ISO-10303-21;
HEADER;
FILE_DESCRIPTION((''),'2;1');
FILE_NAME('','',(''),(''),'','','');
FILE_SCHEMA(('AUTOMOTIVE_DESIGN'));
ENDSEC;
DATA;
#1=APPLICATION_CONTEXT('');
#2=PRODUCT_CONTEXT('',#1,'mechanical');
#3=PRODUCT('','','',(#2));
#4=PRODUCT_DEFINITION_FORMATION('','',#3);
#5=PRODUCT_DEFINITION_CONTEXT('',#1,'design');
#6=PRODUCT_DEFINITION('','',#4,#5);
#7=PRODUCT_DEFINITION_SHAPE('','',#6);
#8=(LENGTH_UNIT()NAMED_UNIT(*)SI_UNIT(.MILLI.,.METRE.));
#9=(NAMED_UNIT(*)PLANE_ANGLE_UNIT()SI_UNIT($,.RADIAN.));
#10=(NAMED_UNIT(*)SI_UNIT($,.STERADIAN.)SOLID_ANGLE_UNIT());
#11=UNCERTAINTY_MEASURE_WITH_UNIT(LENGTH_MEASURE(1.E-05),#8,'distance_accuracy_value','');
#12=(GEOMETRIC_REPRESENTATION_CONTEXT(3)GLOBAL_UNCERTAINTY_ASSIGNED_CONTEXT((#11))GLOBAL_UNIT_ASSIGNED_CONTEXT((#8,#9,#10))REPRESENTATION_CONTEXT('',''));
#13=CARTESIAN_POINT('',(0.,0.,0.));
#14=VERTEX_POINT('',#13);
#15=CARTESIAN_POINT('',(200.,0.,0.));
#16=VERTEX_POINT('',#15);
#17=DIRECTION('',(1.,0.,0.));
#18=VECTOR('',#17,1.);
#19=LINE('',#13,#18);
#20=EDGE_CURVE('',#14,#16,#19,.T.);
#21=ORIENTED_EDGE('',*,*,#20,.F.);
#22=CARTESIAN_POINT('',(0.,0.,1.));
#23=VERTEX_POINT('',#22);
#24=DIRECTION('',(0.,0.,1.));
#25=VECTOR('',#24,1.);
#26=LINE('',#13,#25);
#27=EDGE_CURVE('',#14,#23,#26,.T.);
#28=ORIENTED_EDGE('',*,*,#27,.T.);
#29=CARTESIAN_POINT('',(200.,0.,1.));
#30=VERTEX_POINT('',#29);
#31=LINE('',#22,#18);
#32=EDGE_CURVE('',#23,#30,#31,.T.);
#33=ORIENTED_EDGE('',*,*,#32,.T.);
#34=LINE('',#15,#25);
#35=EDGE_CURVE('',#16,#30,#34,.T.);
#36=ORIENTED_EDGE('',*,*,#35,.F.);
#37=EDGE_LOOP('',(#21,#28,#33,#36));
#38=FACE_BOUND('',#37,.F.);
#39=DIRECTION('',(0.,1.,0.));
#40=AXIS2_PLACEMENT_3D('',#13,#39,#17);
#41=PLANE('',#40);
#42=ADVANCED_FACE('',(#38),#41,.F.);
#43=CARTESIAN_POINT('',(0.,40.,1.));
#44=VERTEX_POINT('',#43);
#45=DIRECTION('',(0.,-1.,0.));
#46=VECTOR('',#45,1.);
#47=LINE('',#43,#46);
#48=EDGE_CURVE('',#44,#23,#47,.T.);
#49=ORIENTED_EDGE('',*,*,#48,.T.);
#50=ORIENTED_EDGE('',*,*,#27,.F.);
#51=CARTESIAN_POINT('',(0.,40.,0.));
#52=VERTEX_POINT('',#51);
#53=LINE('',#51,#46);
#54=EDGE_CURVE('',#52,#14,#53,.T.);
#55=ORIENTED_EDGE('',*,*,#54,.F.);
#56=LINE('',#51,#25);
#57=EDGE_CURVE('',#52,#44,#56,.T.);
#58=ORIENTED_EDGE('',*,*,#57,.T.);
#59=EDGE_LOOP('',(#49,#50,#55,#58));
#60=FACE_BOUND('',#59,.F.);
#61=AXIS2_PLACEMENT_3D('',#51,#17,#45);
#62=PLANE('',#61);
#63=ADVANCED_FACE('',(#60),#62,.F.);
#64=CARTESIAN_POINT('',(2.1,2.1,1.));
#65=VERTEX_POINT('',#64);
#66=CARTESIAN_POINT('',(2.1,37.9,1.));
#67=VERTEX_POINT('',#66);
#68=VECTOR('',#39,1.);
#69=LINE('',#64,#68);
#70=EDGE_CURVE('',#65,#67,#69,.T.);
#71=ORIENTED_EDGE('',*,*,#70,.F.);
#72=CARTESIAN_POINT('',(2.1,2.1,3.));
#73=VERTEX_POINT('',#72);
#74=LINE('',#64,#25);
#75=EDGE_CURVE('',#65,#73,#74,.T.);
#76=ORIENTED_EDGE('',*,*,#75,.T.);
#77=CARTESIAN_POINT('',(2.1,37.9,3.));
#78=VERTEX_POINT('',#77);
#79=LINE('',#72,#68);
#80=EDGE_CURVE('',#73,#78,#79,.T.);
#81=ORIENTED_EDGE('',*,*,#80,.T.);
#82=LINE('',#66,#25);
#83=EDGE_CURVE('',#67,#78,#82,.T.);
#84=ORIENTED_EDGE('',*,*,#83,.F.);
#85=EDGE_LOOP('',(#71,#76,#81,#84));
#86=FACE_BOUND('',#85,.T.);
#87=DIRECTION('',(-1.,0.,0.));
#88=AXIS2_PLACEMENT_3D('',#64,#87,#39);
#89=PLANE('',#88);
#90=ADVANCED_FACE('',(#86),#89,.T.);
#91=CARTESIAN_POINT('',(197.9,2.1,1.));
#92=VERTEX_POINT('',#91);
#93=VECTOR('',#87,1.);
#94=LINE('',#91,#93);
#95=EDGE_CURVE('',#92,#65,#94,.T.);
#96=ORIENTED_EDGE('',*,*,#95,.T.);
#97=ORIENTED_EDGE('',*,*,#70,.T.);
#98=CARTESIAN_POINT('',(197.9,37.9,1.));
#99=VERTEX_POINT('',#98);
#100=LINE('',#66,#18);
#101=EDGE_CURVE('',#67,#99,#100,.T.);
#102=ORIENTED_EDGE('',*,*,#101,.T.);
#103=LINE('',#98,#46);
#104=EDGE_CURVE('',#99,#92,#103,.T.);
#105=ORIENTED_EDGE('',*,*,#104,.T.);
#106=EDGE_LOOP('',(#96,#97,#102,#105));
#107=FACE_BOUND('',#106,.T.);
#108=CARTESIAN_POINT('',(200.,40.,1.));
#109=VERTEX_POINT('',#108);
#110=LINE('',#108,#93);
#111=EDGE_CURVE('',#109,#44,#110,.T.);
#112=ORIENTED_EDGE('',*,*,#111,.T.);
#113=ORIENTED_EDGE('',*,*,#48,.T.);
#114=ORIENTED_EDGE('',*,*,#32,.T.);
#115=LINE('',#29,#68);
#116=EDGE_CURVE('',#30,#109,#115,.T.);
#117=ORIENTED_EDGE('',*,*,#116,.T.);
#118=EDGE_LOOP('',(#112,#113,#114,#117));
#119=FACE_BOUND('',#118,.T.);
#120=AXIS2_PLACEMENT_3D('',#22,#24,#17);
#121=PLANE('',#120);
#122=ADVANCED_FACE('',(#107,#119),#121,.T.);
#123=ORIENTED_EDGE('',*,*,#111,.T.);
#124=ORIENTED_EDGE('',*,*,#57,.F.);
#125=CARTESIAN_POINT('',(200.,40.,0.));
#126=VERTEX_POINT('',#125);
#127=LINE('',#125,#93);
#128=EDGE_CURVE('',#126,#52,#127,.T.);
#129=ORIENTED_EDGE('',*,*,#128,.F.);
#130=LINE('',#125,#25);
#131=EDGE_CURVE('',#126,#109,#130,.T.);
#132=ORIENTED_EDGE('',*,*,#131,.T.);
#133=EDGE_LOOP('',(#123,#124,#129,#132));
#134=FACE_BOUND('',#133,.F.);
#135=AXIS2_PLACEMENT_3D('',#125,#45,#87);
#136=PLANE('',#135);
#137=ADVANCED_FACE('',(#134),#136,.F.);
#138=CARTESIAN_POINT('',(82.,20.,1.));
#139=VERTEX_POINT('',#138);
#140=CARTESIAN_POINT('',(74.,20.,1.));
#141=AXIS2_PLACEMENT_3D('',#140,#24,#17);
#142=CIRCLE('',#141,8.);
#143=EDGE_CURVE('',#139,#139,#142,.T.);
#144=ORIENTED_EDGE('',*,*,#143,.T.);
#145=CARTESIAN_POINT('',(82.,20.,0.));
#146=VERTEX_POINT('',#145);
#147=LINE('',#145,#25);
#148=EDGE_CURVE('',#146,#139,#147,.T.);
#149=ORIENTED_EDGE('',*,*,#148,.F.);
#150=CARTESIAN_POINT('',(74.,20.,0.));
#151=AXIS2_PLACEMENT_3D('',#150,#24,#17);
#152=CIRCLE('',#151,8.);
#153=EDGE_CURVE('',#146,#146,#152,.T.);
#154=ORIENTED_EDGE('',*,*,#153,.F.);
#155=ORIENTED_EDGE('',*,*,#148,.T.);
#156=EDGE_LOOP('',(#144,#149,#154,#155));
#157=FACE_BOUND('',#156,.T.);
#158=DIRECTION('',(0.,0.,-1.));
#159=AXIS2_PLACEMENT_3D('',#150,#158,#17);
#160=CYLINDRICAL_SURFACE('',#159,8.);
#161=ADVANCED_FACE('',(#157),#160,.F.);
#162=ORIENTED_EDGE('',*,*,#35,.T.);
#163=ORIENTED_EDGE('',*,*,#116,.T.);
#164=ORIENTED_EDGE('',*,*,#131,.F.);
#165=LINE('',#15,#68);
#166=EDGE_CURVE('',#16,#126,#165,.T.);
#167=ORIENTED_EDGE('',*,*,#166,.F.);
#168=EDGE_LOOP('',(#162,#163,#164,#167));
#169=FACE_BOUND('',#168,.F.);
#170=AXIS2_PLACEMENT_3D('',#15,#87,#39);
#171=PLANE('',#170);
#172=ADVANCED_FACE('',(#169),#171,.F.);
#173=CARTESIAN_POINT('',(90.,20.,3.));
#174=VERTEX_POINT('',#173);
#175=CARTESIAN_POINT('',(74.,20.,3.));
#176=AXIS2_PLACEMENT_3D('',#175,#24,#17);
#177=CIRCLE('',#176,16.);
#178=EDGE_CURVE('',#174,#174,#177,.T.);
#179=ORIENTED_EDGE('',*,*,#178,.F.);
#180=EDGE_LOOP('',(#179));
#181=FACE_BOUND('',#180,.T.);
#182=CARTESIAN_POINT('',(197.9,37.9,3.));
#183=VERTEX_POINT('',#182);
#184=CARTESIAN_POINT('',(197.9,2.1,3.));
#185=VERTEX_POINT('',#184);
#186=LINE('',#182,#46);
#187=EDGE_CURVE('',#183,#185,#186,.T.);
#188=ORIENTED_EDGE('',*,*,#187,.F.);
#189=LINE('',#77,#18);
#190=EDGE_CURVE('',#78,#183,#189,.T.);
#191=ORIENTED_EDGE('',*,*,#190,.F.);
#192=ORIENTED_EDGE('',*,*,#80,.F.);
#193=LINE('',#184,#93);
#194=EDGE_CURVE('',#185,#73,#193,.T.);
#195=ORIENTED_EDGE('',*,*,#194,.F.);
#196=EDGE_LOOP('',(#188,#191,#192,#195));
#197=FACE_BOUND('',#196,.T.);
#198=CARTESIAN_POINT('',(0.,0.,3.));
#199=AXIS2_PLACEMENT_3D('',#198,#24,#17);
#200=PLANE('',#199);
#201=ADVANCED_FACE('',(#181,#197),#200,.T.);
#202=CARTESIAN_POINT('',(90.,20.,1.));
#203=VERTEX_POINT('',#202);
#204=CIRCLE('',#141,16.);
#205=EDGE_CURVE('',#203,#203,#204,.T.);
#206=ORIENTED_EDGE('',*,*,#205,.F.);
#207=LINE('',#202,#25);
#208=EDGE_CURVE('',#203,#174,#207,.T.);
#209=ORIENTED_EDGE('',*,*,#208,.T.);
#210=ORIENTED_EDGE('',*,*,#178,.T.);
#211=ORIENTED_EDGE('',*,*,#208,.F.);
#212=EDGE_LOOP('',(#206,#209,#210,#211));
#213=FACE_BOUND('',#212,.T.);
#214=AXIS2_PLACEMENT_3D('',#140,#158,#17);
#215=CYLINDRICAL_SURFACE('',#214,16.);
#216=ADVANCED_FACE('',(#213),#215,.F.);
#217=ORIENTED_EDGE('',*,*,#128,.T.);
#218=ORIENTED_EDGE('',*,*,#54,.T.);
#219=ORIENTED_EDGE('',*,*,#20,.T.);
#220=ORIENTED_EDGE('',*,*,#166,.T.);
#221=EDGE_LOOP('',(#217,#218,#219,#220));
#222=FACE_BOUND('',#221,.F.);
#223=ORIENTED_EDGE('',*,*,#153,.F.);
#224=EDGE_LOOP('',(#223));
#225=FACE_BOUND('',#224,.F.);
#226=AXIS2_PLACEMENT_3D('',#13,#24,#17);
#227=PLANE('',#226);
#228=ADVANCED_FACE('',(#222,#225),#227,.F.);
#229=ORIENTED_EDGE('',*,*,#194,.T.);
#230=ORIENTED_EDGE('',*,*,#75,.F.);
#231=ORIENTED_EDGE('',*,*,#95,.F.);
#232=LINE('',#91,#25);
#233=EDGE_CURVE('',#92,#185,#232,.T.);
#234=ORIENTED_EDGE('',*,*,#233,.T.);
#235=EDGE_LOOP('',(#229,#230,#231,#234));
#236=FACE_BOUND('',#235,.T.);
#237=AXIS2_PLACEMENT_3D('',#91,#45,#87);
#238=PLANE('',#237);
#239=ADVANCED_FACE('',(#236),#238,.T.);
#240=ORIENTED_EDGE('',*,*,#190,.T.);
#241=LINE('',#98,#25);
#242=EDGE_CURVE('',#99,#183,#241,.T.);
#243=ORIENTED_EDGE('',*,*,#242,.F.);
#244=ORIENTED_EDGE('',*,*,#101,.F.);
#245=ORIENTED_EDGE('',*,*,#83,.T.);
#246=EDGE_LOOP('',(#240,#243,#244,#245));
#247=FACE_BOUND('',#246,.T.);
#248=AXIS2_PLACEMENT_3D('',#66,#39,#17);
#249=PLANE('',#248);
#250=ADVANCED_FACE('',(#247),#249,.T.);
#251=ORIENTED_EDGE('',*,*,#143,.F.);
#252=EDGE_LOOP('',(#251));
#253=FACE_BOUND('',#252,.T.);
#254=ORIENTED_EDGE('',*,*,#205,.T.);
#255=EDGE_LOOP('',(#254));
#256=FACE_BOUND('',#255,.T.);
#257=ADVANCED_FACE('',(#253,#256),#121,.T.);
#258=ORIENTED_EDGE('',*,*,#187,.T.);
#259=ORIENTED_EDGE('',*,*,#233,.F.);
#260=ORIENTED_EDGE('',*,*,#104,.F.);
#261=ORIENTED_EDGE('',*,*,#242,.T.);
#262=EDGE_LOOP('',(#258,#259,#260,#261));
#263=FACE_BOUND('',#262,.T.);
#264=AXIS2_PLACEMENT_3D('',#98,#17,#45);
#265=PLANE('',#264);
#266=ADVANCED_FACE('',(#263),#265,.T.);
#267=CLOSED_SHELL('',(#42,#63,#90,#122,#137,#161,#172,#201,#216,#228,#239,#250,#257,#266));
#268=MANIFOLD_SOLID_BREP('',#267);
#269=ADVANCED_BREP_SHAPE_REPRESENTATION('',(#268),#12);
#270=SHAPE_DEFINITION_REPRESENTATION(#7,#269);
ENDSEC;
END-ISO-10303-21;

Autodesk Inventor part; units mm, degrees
ref_plane "YZ Plane" through (0, 0, 0) normal (1, 0, 0) x (0, 1, 0)
ref_plane "XZ Plane" through (0, 0, 0) normal (0, 1, 0) x (-1, 0, 0)
ref_plane "XY Plane" through (0, 0, 0) normal (0, 0, 1) x (1, 0, 0)
sketch "Boceto1" plane through (0, 0, 0) normal (0, 0, 1) x (1, 0, 0)
  line L0 (0, 0) -> (200, 0)
  line L1 (200, 0) -> (200, 40)
  line L2 (200, 40) -> (0, 40)
  line L3 (0, 40) -> (0, 0)
  circle A0 centre (74, 20) radius 8
  dimension "d0" = 200
  dimension "d1" = 40
  dimension "d2" = 16
  dimension "d3" = 74
  dimension "d4" = 20
extrude "Extrusión1" add sketch "Boceto1" along normal blind 1
sketch "Boceto2" plane through (0, 0, 1) normal (0, 0, 1) x (1, 0, 0)
  circle A0 centre (74, 20) radius 8 projected
  line L0 (0, 0) -> (0, 40) projected
  line L1 (200, 0) -> (0, 0) projected
  line L2 (200, 40) -> (200, 0) projected
  line L3 (0, 40) -> (200, 40) projected
  line L4 (197.9, 37.9) -> (197.9, 2.1)
  line L5 (197.9, 2.1) -> (2.1, 2.1)
  line L6 (2.1, 2.1) -> (2.1, 37.9)
  line L7 (2.1, 37.9) -> (197.9, 37.9)
  circle A1 centre (74, 20) radius 16
  dimension "d7" = 2.1
  dimension "d8" = 32
extrude "Extrusión2" add sketch "Boceto2" along normal blind 2 contours L4 L5 L6 L7
properties part number "Tapa"
